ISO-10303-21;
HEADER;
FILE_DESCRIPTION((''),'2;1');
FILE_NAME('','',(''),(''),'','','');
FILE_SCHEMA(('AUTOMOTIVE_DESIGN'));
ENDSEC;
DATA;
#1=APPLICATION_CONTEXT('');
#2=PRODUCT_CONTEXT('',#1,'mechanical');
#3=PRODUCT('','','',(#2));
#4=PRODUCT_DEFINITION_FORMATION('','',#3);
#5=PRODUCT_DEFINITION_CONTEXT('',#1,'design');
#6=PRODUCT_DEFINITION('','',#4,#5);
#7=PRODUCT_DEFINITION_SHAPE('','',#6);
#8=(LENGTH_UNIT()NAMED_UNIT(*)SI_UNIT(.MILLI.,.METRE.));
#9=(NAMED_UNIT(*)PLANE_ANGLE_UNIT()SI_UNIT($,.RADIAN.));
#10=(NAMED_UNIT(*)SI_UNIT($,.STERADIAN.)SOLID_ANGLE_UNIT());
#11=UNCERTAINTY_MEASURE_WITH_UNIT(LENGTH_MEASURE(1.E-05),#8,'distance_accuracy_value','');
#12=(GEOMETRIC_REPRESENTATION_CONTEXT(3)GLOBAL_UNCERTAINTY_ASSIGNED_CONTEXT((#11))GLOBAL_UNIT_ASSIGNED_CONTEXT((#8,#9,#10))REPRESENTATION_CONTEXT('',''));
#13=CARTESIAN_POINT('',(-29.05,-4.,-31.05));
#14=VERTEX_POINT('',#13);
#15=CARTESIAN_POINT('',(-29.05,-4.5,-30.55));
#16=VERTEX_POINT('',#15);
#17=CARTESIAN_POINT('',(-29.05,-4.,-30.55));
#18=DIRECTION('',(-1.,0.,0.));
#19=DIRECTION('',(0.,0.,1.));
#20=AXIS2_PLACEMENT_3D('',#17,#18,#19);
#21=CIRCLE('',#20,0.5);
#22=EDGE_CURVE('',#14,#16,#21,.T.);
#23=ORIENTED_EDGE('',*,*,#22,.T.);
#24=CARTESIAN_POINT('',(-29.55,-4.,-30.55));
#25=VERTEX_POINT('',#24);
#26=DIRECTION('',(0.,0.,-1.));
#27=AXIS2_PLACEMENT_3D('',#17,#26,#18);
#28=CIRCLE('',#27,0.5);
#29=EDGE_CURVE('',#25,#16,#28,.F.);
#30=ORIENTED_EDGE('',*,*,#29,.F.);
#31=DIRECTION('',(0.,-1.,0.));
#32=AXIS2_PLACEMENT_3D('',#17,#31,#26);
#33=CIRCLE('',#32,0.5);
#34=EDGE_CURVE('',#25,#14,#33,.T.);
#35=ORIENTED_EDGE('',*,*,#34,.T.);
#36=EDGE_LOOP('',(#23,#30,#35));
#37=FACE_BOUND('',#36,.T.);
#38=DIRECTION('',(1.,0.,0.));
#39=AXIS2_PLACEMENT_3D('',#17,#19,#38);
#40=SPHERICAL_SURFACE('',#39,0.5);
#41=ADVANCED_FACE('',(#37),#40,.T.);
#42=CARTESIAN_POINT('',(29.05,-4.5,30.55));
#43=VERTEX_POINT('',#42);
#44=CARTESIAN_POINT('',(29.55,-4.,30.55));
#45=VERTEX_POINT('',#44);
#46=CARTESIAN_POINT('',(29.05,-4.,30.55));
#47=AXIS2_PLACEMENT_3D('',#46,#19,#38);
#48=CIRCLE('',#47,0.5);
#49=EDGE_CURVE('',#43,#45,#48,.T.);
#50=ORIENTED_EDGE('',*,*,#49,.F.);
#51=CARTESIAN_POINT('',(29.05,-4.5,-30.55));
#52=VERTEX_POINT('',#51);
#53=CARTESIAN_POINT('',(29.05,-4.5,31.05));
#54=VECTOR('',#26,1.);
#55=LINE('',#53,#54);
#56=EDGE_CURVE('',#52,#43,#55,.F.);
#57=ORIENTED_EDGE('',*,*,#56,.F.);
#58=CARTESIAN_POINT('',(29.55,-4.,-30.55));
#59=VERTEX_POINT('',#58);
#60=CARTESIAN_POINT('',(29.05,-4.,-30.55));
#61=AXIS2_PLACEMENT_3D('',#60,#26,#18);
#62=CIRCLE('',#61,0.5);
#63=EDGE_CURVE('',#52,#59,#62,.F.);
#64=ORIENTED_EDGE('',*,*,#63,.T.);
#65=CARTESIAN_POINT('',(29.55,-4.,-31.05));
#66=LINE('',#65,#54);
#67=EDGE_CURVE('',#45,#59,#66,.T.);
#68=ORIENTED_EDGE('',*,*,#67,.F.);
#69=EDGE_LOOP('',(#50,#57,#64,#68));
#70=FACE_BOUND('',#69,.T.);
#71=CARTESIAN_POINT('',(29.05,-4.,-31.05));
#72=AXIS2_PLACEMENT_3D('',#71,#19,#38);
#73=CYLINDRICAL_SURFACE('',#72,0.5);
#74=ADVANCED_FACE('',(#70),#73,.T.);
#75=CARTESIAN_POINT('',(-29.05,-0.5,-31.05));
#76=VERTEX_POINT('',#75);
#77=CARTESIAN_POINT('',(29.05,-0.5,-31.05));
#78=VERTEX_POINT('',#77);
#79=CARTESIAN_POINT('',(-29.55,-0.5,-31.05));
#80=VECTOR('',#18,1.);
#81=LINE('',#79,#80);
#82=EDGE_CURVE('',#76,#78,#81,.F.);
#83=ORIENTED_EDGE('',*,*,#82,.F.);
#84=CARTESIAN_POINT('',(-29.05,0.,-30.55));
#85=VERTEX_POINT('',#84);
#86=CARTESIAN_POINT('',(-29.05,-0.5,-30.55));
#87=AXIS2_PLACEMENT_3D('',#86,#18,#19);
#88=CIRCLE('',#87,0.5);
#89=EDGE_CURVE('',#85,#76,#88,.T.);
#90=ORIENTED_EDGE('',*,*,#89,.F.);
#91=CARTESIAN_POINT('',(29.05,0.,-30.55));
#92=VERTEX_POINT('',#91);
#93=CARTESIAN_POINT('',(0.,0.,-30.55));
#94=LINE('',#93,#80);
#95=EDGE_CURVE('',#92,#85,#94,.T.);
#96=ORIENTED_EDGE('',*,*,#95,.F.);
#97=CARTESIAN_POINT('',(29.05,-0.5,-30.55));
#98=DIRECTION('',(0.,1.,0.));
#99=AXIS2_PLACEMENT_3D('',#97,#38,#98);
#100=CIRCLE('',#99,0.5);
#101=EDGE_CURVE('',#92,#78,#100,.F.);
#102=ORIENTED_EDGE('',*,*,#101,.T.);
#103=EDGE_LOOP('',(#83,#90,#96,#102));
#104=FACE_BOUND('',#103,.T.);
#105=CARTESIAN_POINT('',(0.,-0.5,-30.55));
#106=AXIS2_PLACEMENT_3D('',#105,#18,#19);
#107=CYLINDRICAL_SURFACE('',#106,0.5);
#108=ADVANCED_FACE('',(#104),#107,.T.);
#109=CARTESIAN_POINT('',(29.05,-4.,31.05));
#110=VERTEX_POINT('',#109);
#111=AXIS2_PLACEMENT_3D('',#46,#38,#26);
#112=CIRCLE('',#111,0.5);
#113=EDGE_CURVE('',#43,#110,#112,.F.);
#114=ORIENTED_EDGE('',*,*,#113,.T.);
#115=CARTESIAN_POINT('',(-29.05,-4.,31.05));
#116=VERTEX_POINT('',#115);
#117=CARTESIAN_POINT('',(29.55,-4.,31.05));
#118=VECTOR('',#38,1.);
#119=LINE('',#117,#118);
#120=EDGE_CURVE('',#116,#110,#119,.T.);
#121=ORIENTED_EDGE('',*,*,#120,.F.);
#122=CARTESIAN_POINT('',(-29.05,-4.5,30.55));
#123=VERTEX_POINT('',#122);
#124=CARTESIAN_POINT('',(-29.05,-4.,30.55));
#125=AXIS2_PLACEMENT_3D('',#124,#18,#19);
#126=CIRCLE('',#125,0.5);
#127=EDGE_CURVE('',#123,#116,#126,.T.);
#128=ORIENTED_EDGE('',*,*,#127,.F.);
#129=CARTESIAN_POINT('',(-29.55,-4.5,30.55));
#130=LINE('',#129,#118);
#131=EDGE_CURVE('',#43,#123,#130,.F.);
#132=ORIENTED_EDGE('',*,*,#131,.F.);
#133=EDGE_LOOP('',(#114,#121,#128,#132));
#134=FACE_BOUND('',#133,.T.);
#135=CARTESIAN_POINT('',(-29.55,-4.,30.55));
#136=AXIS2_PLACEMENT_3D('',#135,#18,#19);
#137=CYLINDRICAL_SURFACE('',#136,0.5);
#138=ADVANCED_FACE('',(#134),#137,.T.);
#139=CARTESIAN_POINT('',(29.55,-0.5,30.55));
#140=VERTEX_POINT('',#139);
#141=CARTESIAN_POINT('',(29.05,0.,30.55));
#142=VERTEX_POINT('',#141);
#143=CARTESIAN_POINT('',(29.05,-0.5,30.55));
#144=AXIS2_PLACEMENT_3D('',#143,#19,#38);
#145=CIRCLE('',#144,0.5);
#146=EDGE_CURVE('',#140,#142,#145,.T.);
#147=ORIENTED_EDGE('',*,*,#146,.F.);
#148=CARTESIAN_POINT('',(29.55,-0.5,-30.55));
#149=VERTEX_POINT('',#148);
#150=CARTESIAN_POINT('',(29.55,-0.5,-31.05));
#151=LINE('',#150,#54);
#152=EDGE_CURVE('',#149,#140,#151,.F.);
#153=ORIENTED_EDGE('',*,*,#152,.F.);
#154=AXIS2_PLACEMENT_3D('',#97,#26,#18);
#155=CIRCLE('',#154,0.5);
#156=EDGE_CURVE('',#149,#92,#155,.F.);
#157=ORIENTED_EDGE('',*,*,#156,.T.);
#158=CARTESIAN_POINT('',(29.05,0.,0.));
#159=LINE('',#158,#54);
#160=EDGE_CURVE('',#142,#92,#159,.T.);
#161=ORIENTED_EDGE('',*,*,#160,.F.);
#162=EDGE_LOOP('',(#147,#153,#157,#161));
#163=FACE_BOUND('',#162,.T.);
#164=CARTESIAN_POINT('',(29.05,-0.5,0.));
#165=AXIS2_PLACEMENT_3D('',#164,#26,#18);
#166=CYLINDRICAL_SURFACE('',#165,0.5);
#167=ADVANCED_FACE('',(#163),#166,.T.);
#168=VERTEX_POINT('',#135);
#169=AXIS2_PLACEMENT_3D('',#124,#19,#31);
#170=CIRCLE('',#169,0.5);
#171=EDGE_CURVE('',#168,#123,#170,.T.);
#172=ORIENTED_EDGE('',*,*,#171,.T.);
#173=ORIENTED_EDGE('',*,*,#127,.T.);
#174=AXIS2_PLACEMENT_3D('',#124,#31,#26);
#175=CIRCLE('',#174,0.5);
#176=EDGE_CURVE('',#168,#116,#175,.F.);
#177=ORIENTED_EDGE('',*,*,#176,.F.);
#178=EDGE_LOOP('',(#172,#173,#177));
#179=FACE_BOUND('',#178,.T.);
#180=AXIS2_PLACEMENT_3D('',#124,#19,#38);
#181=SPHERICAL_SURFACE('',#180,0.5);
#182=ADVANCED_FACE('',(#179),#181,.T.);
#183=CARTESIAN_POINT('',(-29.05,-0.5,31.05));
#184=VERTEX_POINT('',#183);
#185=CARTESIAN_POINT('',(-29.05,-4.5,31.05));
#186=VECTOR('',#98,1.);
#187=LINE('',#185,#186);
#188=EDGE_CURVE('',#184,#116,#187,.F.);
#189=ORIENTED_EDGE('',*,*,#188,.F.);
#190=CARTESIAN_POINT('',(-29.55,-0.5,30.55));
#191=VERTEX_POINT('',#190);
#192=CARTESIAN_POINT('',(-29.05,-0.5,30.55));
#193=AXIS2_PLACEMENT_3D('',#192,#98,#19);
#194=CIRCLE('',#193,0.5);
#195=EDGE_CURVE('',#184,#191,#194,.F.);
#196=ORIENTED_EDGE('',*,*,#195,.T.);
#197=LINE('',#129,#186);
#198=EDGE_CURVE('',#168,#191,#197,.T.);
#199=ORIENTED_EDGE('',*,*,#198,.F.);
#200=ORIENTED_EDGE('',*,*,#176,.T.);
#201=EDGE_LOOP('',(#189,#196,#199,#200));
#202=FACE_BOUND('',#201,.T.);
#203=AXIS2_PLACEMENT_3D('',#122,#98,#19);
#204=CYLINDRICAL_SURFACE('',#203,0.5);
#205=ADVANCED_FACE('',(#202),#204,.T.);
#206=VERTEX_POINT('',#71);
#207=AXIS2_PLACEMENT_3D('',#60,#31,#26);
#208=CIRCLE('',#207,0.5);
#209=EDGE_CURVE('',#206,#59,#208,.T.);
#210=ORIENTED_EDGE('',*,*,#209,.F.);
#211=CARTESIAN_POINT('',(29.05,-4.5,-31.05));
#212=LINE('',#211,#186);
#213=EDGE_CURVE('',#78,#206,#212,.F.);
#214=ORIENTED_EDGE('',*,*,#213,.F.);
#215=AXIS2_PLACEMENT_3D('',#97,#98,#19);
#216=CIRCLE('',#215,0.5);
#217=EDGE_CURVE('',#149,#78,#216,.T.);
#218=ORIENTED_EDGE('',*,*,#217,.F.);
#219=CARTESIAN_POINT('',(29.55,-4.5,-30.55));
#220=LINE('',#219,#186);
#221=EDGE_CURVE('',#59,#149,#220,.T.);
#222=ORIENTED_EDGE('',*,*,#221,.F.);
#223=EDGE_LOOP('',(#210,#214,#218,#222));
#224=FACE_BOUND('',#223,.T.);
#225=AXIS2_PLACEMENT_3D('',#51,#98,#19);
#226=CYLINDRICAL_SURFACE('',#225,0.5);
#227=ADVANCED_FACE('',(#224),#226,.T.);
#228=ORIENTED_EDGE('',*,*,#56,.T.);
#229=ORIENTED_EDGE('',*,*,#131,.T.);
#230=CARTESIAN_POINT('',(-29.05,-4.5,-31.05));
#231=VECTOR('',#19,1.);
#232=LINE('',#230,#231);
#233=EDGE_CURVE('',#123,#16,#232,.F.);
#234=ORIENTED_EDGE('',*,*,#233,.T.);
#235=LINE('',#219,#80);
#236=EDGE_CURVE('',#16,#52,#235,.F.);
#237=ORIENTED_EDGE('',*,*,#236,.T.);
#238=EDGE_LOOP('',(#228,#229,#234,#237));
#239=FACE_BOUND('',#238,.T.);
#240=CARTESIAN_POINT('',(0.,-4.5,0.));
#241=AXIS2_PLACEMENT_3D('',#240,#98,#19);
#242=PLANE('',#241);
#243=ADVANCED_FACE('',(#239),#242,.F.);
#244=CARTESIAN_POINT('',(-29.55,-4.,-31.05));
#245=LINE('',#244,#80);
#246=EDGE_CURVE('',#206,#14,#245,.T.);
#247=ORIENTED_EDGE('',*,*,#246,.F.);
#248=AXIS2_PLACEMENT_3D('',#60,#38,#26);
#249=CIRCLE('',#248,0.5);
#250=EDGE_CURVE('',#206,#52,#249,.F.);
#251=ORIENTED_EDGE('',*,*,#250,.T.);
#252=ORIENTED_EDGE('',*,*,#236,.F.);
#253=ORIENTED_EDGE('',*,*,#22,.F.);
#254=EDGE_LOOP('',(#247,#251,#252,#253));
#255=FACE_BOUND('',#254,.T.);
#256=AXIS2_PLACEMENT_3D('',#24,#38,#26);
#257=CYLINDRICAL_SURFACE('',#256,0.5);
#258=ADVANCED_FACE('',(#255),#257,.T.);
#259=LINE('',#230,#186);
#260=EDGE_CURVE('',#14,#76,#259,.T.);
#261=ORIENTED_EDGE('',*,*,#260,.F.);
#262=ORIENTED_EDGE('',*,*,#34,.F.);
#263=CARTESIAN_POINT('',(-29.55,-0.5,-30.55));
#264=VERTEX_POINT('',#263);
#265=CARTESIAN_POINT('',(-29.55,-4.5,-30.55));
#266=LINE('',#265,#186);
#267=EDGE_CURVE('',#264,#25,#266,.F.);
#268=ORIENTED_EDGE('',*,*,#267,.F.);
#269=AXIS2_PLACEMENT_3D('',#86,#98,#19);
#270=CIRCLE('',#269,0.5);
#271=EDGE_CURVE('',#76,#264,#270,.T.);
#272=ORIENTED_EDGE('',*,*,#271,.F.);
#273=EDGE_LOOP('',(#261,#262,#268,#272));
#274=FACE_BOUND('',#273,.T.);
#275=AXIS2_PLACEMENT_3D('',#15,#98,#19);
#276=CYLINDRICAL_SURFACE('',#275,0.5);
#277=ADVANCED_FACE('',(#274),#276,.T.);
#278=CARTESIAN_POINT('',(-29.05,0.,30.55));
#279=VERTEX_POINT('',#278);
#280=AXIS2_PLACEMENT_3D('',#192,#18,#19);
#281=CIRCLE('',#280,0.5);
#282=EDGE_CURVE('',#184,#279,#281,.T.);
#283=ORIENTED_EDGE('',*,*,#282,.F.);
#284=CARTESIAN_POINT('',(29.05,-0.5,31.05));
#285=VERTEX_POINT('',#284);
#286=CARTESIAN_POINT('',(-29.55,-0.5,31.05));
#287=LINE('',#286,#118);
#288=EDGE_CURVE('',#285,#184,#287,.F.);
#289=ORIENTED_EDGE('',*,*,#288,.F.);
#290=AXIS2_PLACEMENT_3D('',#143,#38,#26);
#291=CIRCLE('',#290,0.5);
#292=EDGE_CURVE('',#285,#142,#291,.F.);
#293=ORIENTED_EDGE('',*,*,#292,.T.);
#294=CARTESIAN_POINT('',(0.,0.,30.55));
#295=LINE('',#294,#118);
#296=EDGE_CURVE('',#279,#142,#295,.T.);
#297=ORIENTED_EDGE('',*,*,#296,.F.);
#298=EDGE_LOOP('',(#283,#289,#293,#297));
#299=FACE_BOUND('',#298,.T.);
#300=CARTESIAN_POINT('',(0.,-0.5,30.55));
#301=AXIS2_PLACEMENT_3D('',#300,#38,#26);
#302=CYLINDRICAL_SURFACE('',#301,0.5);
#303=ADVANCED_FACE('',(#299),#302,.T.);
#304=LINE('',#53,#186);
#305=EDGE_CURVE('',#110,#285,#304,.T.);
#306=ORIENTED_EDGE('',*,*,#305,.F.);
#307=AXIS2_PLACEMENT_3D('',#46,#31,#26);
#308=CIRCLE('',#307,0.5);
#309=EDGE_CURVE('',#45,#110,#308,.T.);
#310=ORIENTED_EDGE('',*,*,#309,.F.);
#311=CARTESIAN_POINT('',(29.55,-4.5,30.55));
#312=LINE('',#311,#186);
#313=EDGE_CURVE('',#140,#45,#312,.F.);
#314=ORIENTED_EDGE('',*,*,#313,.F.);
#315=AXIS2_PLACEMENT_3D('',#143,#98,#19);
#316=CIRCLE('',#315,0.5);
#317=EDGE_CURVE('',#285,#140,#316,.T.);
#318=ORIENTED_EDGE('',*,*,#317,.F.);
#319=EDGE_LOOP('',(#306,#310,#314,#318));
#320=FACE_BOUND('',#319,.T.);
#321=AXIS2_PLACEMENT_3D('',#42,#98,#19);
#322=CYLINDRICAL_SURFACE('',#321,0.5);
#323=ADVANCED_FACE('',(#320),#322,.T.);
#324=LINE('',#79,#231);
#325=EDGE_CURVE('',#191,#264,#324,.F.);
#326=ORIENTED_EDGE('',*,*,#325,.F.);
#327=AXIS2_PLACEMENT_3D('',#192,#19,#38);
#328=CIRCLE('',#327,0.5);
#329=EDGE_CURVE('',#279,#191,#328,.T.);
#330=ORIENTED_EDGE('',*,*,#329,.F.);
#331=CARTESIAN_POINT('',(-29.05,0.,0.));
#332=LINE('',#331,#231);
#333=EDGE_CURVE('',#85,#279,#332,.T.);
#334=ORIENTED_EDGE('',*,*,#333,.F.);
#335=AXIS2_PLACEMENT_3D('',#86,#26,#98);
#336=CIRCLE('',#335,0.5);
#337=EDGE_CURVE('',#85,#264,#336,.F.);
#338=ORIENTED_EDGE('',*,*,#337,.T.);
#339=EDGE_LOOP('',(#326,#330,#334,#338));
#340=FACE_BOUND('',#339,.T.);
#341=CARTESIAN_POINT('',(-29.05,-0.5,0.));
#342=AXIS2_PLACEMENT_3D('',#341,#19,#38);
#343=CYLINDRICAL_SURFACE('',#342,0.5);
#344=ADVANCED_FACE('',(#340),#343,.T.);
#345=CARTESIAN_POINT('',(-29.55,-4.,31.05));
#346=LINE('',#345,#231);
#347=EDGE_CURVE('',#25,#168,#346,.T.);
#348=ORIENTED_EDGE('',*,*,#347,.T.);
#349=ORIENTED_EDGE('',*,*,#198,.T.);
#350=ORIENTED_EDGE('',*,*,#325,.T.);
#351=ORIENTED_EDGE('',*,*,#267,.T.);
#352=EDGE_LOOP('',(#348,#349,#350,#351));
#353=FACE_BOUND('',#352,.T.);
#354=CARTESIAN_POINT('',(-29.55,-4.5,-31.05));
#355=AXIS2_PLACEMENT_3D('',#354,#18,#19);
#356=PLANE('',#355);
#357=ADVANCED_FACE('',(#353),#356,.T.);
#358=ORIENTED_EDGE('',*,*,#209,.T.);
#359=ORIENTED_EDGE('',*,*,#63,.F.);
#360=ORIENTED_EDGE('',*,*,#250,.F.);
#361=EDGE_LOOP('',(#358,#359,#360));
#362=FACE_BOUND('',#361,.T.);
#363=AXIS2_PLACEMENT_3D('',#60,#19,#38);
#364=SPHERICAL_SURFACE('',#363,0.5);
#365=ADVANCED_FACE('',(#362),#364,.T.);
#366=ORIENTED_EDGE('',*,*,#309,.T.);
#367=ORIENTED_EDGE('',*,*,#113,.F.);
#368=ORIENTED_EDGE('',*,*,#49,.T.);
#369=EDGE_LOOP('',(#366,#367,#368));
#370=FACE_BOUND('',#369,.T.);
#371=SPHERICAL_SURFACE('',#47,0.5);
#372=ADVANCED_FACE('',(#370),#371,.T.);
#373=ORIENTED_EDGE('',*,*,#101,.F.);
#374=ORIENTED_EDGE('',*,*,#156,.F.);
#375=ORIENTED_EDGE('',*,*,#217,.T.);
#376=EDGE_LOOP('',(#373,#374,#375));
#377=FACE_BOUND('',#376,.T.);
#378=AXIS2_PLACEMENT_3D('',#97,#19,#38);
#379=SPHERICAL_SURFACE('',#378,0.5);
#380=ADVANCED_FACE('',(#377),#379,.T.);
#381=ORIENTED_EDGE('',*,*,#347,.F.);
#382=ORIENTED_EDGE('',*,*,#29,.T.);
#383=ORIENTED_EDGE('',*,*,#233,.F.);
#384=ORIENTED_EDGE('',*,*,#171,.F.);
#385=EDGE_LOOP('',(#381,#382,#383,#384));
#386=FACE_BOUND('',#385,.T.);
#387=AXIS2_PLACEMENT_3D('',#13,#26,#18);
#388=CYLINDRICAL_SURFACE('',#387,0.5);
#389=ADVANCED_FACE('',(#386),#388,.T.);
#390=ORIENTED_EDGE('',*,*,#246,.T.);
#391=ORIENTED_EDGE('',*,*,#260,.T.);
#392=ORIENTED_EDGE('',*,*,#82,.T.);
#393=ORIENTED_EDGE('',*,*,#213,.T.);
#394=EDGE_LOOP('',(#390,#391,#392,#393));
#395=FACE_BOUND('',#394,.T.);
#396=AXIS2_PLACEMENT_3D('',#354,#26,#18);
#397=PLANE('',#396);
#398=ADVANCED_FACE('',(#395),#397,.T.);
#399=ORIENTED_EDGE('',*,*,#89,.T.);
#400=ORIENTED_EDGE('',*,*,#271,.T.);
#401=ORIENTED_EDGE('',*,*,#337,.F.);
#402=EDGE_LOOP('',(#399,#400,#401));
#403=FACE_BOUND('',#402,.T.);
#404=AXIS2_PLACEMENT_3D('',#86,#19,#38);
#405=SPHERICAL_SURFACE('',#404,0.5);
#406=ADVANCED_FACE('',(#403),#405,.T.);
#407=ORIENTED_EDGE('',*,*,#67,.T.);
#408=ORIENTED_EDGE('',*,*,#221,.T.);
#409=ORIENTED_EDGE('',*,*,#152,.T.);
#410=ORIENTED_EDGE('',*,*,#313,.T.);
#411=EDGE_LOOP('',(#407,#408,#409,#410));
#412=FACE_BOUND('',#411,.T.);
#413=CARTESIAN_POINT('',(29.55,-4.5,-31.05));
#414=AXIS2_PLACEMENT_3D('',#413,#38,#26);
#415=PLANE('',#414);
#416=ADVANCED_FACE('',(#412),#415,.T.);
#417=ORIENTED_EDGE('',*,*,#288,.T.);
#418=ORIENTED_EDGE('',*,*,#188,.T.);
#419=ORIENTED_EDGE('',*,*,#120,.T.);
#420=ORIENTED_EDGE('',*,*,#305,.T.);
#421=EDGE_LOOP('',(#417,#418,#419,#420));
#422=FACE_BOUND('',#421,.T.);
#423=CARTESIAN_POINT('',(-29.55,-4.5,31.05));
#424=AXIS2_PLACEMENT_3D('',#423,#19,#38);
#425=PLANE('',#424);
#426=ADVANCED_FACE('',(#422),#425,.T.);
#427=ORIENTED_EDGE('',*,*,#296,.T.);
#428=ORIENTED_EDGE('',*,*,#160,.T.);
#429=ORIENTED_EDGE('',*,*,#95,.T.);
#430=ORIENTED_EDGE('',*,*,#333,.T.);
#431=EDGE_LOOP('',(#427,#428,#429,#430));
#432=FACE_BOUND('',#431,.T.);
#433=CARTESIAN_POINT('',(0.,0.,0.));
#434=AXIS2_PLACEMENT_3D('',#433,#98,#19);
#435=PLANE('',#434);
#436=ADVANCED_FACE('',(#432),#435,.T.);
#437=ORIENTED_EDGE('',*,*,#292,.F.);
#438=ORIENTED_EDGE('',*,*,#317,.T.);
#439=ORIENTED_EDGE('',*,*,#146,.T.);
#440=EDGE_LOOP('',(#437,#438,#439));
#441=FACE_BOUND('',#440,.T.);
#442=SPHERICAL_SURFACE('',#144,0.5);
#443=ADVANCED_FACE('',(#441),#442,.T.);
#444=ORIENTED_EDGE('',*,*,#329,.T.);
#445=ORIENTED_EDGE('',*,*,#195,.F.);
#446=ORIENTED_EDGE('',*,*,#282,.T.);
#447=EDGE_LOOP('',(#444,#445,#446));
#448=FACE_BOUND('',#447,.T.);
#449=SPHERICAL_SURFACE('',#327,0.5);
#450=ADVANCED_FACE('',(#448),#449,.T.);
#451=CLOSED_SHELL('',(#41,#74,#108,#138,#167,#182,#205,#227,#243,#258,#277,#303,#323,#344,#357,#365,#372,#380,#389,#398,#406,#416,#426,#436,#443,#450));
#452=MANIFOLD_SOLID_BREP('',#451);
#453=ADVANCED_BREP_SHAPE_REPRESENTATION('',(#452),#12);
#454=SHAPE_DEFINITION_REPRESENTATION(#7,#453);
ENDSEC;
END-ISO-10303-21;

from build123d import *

# Parameters (mm, degrees)
SKETCH_1_W      = 59.1
SKETCH_1_H      = 62.1
EXTRUDE_1_DEPTH = 4.5
FILLET_1_R      = 0.5


with BuildPart() as part:
    # 스케치1 → 보스-돌출1 (new body)
    with BuildSketch(Plane(origin=(0, 0, 0), x_dir=(1, 0, 0), z_dir=(0, 1, 0))):
        Rectangle(SKETCH_1_W, SKETCH_1_H)
    extrude(amount=-EXTRUDE_1_DEPTH)

    # 필렛1
    fillet_1_edges = [part.edges().sort_by_distance(p)[0] for p in [
        (29.55, -4.5, 0),
        (0, -4.5, -31.05),
        (-29.55, -4.5, 0),
        (0, 0, -31.05),
        (29.55, 0, 0),
        (0, 0, 31.05),
        (-29.55, 0, 0),
        (0, -4.5, 31.05),
        (-29.55, -2.25, -31.05),
        (29.55, -2.25, -31.05),
        (29.55, -2.25, 31.05),
        (-29.55, -2.25, 31.05),
    ]]
    fillet(fillet_1_edges, radius=FILLET_1_R)


solid = part.part
